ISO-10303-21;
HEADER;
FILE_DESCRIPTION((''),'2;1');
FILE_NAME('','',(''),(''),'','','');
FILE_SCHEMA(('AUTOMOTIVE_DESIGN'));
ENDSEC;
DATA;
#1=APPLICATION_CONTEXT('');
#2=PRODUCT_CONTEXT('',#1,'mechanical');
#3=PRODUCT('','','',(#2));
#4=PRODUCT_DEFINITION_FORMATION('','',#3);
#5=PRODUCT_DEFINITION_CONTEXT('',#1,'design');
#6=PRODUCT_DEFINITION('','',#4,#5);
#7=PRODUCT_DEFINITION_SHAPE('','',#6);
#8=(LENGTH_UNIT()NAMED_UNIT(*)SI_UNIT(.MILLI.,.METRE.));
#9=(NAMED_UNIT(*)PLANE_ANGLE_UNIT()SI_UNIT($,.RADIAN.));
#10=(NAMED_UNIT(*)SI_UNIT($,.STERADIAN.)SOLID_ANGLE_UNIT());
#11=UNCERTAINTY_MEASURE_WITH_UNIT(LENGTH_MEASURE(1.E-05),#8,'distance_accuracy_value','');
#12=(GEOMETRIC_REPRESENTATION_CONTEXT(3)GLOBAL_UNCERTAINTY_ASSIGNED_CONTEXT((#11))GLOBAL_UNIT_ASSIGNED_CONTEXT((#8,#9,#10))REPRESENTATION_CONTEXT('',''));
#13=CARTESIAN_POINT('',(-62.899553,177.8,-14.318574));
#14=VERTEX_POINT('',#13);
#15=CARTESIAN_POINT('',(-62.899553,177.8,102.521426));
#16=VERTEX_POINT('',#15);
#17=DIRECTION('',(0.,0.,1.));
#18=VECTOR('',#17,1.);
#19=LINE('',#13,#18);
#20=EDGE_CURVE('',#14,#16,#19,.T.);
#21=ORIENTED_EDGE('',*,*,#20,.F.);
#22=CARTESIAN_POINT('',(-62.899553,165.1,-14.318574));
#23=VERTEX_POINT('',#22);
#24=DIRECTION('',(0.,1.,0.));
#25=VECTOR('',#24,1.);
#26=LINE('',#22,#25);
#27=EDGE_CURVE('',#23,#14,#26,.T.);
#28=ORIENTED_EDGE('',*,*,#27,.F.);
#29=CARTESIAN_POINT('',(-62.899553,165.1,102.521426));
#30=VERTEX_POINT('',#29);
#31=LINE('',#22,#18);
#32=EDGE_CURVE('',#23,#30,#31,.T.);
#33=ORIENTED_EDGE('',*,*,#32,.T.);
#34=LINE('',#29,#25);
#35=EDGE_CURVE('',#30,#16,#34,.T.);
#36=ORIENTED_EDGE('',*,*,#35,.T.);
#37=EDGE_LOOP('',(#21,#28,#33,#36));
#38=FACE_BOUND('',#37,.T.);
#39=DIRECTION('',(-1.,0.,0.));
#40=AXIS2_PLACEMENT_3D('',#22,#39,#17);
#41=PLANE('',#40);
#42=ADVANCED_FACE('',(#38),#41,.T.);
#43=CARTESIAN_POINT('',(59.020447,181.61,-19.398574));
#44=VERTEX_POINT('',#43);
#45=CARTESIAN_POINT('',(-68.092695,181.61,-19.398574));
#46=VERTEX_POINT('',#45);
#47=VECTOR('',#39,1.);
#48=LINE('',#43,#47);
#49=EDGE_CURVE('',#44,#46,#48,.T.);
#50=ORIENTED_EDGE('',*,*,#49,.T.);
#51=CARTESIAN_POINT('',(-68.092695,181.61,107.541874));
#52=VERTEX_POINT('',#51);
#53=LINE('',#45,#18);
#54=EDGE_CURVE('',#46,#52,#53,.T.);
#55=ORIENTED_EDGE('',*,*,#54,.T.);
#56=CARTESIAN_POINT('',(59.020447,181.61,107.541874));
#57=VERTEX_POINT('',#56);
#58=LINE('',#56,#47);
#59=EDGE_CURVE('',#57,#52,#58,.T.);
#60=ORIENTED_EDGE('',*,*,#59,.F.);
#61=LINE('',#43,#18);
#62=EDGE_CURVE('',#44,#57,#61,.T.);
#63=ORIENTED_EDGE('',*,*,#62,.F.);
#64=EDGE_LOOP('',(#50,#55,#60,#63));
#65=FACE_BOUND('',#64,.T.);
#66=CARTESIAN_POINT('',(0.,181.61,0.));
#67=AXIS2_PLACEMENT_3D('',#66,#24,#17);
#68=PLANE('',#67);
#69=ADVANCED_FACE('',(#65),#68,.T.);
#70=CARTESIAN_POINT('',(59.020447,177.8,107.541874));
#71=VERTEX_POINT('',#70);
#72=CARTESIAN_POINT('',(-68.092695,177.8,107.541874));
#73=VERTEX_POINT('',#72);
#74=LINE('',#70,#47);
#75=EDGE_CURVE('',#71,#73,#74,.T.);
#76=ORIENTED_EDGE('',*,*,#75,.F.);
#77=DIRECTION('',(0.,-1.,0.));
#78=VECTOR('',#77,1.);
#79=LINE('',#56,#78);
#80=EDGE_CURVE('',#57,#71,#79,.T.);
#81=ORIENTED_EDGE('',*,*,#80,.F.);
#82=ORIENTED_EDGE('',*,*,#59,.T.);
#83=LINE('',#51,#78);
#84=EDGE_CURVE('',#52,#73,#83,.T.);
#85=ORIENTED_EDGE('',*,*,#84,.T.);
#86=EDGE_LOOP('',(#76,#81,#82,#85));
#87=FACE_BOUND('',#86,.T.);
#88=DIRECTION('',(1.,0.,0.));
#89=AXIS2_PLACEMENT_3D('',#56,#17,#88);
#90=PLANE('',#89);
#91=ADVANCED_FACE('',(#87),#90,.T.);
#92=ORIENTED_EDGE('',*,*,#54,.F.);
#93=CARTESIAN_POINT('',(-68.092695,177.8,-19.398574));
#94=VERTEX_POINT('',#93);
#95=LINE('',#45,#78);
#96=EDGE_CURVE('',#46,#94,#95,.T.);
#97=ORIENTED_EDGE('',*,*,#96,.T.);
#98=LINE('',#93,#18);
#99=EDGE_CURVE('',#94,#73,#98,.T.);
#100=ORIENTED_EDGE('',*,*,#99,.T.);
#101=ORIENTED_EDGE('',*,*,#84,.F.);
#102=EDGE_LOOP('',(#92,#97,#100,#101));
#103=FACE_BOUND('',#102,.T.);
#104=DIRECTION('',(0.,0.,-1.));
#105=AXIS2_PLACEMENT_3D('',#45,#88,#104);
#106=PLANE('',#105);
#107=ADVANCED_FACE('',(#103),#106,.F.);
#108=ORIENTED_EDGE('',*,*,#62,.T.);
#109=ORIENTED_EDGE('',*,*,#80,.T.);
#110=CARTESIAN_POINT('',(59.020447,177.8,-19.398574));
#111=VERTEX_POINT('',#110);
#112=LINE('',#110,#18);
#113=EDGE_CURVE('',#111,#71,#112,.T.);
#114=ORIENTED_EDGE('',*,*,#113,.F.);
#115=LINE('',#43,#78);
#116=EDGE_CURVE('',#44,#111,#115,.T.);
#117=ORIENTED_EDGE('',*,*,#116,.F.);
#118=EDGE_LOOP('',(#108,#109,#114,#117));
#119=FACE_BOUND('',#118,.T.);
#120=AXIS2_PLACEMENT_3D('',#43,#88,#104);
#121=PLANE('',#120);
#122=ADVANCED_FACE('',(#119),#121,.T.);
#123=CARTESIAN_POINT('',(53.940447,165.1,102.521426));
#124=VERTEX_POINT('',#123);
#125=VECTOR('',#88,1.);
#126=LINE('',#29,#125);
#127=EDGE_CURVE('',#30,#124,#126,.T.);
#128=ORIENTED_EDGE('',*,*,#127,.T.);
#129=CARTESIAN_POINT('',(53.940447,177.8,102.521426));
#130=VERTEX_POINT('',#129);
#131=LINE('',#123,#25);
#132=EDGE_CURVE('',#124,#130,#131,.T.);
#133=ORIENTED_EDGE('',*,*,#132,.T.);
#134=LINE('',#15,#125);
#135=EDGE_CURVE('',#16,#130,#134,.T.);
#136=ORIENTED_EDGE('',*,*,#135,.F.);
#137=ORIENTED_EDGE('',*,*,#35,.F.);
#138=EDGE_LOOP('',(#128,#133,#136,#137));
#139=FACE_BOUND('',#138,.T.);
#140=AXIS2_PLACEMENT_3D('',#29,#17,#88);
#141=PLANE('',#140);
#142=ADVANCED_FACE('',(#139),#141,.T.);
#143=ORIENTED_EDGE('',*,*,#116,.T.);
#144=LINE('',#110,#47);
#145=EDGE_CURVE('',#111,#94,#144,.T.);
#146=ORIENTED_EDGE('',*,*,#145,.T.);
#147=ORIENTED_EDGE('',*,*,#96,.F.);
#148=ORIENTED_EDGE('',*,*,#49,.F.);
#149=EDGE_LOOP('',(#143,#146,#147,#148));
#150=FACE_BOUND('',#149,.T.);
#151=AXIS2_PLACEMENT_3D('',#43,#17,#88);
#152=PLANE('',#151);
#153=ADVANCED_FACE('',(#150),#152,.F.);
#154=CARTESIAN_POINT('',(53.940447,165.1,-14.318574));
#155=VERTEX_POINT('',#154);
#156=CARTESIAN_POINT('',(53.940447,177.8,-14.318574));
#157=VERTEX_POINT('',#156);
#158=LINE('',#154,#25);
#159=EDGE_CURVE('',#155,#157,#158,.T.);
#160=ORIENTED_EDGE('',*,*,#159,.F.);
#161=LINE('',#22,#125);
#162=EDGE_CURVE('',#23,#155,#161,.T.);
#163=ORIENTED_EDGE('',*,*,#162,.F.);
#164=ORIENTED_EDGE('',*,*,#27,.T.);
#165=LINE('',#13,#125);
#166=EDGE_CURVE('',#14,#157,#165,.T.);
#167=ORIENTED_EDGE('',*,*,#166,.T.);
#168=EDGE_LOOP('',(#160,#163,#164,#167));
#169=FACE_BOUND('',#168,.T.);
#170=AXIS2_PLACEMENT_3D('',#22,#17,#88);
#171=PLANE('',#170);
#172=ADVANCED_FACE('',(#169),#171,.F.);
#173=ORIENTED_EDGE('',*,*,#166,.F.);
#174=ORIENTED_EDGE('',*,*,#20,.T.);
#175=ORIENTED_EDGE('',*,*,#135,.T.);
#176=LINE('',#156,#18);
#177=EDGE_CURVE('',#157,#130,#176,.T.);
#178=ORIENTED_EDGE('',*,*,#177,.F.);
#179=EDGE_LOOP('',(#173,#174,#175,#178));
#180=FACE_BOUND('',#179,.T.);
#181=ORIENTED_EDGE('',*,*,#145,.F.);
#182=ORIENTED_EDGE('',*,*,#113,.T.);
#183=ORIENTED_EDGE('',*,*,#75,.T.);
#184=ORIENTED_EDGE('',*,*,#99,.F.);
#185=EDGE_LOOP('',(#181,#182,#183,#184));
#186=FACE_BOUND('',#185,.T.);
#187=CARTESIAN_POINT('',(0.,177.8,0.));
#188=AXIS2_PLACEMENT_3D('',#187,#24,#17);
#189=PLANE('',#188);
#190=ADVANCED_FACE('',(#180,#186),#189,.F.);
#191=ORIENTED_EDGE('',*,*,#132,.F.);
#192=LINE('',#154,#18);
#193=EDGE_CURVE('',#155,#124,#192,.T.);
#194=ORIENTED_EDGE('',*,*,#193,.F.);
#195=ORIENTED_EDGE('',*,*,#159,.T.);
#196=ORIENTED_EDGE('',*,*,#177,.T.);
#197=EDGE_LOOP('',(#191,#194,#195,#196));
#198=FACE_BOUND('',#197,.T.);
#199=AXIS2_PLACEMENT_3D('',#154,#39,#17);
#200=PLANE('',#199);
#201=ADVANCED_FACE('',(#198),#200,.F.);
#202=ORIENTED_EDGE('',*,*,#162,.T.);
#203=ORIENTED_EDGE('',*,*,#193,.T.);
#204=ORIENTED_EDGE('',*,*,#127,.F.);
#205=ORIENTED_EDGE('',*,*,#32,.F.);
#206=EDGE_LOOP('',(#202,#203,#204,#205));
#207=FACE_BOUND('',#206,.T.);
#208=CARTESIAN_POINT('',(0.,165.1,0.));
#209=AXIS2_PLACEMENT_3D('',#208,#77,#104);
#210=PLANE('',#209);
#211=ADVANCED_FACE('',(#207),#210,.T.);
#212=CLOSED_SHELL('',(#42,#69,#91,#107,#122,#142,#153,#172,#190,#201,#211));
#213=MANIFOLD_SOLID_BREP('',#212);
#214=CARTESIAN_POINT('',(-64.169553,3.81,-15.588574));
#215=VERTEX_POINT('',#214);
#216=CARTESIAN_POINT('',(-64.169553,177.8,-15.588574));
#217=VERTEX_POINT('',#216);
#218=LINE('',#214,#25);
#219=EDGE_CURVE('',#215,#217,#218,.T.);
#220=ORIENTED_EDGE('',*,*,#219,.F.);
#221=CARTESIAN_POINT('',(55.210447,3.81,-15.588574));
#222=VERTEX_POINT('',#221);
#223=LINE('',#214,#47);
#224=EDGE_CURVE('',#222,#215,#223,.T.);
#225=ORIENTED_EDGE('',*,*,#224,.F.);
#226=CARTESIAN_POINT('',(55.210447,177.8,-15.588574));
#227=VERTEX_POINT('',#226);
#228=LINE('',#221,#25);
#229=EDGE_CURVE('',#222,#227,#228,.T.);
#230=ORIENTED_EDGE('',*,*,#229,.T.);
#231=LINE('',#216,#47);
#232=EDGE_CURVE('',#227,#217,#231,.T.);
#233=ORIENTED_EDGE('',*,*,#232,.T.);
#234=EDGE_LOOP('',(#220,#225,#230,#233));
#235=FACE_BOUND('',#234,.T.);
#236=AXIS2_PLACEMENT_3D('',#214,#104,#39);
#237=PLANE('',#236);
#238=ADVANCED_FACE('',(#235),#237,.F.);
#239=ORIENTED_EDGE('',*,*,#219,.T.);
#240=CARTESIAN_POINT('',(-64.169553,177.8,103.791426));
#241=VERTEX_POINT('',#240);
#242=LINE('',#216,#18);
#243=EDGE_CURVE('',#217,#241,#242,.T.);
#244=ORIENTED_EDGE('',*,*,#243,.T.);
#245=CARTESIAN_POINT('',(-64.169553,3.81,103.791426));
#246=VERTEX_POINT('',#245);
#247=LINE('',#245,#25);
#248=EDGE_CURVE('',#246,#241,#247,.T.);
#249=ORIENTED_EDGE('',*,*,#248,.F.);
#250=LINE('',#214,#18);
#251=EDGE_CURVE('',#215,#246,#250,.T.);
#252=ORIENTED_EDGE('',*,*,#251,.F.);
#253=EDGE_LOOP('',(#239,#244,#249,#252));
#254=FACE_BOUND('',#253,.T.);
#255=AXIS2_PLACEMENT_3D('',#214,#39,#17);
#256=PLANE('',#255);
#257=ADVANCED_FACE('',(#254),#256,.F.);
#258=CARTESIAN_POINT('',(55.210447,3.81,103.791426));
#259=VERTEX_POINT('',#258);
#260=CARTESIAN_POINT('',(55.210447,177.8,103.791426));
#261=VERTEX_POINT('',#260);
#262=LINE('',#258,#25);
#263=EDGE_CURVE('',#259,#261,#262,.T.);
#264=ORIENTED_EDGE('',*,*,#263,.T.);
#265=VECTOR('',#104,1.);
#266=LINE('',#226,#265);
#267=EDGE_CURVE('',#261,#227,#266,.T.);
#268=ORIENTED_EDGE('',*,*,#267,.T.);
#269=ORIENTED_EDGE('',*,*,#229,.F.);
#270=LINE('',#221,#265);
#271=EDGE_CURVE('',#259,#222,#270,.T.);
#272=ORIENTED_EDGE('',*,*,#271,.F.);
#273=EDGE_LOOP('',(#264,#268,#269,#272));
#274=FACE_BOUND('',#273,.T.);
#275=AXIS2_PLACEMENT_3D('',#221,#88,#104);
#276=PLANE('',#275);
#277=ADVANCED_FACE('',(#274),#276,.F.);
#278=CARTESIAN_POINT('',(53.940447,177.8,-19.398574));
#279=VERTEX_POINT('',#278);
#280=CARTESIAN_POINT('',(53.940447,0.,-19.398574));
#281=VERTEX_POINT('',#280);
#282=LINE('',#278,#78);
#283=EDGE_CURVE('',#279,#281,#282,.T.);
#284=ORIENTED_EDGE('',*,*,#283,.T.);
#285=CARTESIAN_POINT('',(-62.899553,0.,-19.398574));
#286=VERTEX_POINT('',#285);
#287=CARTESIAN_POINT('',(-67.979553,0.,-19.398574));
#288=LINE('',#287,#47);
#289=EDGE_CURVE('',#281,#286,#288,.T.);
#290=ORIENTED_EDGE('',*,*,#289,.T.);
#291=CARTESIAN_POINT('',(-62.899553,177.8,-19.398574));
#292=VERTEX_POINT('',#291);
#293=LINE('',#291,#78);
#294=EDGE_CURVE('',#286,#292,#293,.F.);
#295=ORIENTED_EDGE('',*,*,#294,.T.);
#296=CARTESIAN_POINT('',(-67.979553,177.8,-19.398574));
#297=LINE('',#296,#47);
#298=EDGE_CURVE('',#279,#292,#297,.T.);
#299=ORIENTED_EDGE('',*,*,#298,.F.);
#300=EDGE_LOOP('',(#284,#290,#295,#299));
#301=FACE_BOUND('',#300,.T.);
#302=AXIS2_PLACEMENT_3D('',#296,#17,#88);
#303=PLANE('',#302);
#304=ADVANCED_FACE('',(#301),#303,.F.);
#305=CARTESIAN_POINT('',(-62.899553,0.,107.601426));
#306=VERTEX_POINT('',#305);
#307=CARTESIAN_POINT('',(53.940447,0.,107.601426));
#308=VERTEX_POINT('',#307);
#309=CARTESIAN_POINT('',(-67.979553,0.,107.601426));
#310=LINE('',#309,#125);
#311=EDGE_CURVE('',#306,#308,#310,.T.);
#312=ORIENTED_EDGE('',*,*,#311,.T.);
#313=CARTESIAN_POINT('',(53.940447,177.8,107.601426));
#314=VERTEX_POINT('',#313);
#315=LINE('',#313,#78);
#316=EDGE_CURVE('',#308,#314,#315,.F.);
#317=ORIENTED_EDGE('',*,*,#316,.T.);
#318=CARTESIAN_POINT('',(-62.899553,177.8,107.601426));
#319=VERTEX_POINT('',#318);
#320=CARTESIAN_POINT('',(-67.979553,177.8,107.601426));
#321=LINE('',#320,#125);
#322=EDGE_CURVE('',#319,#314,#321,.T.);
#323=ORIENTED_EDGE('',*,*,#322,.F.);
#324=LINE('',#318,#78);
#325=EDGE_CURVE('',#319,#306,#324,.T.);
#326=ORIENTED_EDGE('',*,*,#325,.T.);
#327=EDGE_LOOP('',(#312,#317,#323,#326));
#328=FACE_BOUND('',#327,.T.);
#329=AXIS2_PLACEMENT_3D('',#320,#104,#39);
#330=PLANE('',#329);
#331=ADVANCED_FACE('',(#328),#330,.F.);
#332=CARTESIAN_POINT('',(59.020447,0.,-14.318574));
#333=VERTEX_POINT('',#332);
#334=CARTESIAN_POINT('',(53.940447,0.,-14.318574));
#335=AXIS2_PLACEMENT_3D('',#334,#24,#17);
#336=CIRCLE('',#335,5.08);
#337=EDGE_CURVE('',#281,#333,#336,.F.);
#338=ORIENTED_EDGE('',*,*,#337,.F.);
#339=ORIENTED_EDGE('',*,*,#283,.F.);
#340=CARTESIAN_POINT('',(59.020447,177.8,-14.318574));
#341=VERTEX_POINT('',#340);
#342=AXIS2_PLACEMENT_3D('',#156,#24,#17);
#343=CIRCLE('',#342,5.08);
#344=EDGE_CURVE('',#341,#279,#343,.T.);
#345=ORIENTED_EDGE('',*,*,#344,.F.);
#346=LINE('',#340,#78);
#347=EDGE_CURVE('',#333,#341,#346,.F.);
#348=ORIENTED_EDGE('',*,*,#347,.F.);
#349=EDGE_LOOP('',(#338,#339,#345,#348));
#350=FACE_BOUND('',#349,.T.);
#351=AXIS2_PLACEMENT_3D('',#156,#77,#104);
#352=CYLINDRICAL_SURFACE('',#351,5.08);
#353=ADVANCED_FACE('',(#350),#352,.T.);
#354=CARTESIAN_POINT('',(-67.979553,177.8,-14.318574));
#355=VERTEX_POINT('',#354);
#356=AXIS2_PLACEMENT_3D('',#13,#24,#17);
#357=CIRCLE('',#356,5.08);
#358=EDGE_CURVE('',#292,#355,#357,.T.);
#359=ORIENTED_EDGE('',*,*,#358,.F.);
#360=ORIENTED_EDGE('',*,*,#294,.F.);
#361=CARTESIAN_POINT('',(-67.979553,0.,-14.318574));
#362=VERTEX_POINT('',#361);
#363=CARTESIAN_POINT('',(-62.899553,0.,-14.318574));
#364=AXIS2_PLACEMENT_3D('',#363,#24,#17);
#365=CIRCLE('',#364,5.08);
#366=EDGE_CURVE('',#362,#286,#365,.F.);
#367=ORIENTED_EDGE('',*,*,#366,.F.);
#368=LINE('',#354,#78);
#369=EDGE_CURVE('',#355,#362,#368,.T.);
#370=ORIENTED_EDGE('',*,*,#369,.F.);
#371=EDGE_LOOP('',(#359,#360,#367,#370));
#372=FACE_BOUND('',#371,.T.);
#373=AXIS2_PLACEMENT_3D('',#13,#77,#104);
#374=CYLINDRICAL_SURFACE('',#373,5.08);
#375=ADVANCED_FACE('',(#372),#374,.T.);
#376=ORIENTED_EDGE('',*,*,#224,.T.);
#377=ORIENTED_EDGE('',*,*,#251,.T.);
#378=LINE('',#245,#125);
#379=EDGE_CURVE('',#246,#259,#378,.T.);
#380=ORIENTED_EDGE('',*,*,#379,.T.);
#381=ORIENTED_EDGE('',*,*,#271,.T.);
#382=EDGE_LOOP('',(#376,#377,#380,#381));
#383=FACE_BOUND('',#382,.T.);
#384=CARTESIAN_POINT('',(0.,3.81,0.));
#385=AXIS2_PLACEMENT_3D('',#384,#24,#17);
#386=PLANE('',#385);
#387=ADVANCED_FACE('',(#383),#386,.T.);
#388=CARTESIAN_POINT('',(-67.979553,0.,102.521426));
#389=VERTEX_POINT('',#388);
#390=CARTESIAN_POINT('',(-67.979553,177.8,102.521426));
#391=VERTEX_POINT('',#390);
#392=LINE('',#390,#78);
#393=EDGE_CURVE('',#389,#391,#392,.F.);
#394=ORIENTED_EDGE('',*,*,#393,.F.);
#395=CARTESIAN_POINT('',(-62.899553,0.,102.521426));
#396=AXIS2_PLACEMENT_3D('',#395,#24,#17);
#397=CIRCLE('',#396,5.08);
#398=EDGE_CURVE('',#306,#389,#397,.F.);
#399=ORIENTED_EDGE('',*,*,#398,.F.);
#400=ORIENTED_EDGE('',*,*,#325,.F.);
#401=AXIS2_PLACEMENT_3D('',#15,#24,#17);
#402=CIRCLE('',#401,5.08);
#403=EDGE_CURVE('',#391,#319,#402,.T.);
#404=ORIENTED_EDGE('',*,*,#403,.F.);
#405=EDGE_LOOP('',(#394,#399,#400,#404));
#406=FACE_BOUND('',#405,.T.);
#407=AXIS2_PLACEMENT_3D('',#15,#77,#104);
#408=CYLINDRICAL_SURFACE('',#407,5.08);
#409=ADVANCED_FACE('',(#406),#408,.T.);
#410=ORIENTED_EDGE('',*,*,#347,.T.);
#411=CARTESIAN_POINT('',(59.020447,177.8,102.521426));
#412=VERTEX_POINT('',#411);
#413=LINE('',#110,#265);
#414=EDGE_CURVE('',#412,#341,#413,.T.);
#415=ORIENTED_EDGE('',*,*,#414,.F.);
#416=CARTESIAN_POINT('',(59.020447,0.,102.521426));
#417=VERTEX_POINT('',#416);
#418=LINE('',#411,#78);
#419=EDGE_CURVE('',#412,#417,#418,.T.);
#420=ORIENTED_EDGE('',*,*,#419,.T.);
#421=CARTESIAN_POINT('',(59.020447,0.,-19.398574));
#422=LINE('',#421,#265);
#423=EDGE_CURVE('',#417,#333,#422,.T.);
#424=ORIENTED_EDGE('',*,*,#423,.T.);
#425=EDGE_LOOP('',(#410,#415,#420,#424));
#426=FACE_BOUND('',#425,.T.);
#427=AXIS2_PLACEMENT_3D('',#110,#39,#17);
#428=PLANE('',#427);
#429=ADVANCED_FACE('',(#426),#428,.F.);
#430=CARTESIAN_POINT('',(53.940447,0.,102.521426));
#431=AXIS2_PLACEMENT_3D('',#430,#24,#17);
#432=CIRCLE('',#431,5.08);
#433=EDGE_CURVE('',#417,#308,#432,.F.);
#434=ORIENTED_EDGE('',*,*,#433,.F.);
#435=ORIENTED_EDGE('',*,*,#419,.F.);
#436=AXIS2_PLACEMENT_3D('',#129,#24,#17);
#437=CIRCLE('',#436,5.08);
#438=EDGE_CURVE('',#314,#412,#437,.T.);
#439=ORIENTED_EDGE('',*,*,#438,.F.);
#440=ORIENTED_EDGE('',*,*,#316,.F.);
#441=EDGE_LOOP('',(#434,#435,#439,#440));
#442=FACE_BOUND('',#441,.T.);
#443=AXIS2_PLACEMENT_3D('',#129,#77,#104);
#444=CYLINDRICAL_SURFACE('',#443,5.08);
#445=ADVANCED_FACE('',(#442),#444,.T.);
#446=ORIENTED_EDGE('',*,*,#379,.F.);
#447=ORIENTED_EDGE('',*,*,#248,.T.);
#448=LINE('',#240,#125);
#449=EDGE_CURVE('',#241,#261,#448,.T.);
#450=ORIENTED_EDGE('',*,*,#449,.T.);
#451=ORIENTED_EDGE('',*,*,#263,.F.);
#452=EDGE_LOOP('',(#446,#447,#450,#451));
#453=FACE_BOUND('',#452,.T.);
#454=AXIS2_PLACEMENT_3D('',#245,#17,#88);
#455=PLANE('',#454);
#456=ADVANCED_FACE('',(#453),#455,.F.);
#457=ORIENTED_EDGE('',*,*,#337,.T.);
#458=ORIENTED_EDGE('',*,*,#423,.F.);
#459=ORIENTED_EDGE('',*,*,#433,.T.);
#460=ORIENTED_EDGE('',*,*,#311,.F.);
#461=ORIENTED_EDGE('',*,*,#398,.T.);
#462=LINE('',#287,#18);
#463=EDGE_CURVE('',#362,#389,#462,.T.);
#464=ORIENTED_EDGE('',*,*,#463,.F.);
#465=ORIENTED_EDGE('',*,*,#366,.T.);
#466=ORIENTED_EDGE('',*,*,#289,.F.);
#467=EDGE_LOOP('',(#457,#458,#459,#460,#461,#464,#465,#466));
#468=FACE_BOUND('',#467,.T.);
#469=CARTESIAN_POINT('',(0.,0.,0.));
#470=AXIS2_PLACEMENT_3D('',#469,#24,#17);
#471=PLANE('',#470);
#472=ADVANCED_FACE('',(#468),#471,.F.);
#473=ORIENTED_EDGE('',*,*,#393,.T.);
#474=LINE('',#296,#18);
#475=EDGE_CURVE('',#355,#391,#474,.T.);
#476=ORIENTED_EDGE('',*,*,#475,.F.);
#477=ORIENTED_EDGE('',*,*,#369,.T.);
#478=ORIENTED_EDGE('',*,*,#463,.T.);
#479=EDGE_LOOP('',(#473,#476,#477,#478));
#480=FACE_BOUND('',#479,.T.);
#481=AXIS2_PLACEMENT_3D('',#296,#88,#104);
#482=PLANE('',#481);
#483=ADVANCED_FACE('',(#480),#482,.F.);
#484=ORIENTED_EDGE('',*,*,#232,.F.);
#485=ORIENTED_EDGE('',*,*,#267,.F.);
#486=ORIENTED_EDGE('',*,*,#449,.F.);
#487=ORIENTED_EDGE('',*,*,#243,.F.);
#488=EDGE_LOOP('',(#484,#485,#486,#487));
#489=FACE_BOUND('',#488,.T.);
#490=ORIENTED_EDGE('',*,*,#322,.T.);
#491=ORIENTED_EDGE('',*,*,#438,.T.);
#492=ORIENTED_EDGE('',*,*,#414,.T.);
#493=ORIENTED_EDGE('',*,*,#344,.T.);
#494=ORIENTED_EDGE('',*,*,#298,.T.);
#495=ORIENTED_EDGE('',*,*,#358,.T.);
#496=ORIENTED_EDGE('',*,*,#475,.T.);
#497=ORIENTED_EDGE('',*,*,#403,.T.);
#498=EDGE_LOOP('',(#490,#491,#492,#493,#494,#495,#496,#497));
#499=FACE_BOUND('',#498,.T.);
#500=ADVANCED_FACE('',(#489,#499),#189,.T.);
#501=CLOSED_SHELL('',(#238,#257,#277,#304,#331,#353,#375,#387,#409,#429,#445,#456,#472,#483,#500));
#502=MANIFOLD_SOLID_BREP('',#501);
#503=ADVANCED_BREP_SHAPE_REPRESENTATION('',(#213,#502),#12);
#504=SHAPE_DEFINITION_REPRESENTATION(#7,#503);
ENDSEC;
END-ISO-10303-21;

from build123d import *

# Parameters (mm, degrees)
SKETCH10_W          = 127
SKETCH10_H          = 127
BOSS_EXTRUDE1_DEPTH = 177.8
SKETCH11_W          = 119.38
SKETCH11_H          = 119.38
CUT_EXTRUDE6_DEPTH  = 173.99
FILLET1_R           = 5.08
SKETCH13_W          = 116.84
SKETCH13_H          = 116.84
BOSS_EXTRUDE2_DEPTH = 12.7
SKETCH15_W          = 127.11314245
SKETCH15_H          = 126.94044737
BOSS_EXTRUDE4_DEPTH = 3.81


with BuildPart() as part:
    # Sketch10 → Boss-Extrude1 (new body)
    with BuildSketch(Plane(origin=(0, 0, 0), x_dir=(1, 0, 0), z_dir=(0, 1, 0))):
        with Locations((-4.479552988, -44.101426274)):
            Rectangle(SKETCH10_W, SKETCH10_H)
    extrude(amount=BOSS_EXTRUDE1_DEPTH)

    # Sketch11 → Cut-Extrude6 (cut)
    with BuildSketch(Plane(origin=(0, 177.8, 0), x_dir=(1, 0, 0), z_dir=(0, 1, 0))):
        with Locations((-4.479552988, -44.101426274)):
            Rectangle(SKETCH11_W, SKETCH11_H)
    extrude(amount=-CUT_EXTRUDE6_DEPTH, mode=Mode.SUBTRACT)

    # Fillet1
    fillet1_edges = [part.edges().sort_by_distance(p)[0] for p in [
        (-67.979552988, 88.9, -19.398573726),
        (59.020447012, 88.9, -19.398573726),
        (59.020447012, 88.9, 107.601426274),
        (-67.979552988, 88.9, 107.601426274),
    ]]
    fillet(fillet1_edges, radius=FILLET1_R)


with BuildPart() as body_2:
    # Sketch13 → Boss-Extrude2 (new body)
    with BuildSketch(Plane(origin=(0, 177.8, 0), x_dir=(1, 0, 0), z_dir=(0, 1, 0))):
        with Locations((-4.479552988, -44.101426274)):
            Rectangle(SKETCH13_W, SKETCH13_H)
    extrude(amount=-BOSS_EXTRUDE2_DEPTH)


with BuildPart() as body_3:
    # Sketch15 → Boss-Extrude4 (new body)
    with BuildSketch(Plane(origin=(0, 177.8, 0), x_dir=(1, 0, 0), z_dir=(0, 1, 0))):
        with Locations((-4.536124213, -44.071649959)):
            Rectangle(SKETCH15_W, SKETCH15_H)
    extrude(amount=BOSS_EXTRUDE4_DEPTH)

    # Combine1: union body 2
    add(body_2.part)


solid = Compound([part.part, body_3.part])
